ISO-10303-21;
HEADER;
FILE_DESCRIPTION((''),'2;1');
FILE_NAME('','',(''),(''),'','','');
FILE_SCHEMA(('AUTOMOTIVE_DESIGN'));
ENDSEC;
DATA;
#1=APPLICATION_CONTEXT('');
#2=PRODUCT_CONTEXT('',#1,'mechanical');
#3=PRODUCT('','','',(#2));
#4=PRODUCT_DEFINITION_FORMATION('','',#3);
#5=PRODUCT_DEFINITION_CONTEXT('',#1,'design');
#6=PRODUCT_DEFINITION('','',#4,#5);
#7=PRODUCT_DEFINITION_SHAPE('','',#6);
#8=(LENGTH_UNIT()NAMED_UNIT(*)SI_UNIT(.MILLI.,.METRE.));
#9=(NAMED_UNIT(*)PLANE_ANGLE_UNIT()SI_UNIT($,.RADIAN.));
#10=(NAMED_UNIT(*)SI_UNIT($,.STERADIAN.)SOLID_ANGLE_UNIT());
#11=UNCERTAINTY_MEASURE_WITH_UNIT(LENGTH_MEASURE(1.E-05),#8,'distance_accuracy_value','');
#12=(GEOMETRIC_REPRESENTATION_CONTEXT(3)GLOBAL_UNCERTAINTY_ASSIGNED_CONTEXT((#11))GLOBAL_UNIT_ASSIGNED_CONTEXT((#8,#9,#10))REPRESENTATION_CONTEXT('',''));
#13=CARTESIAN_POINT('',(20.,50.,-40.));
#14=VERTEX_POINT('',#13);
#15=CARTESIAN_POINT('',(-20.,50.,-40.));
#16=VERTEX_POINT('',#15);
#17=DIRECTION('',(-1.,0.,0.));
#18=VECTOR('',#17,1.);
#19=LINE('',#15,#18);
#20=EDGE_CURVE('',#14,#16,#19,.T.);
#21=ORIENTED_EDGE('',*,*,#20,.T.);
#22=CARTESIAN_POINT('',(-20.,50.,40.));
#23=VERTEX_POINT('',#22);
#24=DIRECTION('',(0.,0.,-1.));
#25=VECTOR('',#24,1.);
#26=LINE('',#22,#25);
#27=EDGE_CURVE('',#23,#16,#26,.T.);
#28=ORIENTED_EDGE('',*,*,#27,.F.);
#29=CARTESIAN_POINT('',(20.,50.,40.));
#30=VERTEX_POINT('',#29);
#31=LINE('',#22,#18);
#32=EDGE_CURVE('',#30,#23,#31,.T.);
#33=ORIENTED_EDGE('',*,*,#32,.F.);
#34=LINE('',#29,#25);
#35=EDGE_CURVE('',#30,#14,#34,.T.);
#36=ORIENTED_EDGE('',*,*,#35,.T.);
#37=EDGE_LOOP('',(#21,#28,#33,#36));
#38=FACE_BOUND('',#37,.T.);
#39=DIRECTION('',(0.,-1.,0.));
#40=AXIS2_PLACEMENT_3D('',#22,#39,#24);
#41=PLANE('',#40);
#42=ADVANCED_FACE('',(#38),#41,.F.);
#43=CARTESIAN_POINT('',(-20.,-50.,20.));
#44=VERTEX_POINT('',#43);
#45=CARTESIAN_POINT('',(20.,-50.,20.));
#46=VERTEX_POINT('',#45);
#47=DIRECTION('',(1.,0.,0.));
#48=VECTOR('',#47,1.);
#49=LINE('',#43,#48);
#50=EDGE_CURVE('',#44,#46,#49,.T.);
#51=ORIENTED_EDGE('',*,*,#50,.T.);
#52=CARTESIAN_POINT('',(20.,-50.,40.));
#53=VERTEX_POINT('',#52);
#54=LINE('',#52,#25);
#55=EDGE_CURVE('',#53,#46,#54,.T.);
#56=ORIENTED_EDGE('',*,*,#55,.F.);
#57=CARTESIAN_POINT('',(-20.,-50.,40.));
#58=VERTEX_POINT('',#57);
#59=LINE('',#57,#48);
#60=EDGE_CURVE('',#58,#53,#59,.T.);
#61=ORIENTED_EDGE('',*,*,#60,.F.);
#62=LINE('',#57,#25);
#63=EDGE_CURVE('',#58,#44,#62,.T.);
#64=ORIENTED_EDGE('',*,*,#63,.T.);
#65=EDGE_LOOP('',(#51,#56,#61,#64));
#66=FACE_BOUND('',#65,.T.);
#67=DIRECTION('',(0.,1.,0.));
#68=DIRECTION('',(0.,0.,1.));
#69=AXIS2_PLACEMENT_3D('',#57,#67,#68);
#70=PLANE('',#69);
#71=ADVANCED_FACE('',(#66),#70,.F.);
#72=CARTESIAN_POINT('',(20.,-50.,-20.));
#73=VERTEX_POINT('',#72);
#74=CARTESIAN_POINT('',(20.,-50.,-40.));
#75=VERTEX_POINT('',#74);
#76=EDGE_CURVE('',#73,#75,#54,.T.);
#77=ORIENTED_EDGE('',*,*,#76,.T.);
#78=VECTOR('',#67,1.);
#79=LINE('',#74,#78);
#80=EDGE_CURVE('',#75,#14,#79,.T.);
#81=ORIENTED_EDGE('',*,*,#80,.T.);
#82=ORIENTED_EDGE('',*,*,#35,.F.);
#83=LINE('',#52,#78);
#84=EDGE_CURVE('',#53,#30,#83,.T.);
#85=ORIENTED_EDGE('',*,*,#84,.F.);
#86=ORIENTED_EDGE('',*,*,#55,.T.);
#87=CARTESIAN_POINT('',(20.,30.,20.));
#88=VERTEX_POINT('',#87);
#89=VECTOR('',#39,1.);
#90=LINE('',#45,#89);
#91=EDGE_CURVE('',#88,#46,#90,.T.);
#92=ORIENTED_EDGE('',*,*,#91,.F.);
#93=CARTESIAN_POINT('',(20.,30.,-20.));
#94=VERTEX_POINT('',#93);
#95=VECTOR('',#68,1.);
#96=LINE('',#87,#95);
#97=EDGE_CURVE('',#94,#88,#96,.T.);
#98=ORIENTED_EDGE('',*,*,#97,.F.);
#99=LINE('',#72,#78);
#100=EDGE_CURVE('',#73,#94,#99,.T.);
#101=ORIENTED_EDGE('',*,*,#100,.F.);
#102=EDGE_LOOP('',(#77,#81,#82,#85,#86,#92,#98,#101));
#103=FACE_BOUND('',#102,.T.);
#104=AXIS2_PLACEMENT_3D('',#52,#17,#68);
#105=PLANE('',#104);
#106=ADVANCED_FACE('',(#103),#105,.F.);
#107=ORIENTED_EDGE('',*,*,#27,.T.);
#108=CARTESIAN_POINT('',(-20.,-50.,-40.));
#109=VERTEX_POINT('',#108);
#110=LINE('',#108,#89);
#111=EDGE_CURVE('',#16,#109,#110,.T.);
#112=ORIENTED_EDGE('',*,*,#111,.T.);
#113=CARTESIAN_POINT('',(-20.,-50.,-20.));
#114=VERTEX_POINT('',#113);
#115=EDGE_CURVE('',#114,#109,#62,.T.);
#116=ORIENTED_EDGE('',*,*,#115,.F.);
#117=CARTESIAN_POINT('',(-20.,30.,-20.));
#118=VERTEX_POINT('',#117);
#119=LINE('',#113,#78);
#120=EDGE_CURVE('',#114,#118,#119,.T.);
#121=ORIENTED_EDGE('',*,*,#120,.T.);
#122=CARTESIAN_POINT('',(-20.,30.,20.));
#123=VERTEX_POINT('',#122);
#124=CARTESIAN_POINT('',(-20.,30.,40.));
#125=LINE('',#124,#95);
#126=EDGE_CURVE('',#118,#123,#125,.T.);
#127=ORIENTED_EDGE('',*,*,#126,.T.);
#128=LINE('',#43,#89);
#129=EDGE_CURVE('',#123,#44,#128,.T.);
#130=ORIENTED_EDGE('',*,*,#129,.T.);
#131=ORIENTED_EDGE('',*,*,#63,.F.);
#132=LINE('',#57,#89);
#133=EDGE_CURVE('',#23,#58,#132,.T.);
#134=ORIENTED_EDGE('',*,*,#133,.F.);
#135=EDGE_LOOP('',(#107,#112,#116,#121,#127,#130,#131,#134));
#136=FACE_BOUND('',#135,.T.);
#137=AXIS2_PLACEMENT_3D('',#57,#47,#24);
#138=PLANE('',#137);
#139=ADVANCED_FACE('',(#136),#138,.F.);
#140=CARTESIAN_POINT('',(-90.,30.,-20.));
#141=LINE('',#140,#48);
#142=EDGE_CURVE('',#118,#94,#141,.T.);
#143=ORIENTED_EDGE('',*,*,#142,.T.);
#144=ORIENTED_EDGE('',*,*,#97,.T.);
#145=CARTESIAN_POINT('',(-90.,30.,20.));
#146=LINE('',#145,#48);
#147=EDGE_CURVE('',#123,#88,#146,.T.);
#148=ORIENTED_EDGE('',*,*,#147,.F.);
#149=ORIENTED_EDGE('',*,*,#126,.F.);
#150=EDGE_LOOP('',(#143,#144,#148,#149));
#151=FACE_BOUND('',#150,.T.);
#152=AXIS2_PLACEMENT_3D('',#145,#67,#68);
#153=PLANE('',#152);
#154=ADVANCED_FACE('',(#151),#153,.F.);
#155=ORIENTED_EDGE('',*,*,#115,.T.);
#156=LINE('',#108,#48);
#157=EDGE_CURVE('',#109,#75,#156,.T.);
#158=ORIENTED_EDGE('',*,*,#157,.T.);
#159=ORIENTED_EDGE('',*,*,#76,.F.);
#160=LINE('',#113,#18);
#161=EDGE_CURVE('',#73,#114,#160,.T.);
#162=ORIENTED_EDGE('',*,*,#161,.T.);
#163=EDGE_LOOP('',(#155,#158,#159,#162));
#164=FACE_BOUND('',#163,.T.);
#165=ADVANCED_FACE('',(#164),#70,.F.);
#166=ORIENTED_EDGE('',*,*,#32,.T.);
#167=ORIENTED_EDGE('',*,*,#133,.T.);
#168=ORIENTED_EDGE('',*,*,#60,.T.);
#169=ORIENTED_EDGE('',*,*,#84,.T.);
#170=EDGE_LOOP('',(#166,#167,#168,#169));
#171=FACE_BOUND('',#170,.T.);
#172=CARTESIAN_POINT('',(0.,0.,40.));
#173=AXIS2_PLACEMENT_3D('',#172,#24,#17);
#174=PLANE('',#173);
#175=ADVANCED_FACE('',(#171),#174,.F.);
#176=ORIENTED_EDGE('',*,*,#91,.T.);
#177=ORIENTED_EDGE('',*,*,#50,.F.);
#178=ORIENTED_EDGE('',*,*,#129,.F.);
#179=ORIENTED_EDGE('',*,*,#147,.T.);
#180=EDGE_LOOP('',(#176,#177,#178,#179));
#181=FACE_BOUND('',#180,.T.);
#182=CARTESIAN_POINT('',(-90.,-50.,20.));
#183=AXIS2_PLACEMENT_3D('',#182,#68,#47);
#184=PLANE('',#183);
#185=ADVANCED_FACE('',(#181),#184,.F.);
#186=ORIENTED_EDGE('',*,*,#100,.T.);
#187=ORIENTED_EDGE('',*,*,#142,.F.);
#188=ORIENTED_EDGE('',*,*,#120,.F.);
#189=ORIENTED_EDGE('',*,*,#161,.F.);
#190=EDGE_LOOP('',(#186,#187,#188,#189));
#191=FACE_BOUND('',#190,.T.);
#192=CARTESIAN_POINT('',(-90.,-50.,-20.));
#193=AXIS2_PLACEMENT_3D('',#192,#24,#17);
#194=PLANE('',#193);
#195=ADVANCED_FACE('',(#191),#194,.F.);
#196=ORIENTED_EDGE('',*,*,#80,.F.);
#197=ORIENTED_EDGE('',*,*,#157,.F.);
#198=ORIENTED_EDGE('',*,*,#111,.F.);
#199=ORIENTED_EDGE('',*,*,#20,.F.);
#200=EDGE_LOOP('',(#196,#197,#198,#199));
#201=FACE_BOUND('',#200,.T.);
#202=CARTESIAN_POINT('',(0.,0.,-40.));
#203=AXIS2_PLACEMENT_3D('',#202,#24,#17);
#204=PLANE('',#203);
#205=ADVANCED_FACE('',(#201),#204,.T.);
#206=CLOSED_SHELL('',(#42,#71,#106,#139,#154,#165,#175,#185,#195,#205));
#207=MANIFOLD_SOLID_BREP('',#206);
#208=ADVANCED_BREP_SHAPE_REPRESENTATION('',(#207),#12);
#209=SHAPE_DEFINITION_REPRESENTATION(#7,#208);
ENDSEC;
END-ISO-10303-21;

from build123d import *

# Parameters (mm, degrees)
CROQUIS1_W              = 40
CROQUIS1_H              = 100
SALIENTE_EXTRUIR1_DEPTH = 40
CROQUIS2_W              = 40
CROQUIS2_H              = 80
CORTAR_EXTRUIR1_DEPTH   = 110


with BuildPart() as part:
    # Croquis1 → Saliente-Extruir1 (new, symmetric)
    with BuildSketch(Plane.XY):
        Rectangle(CROQUIS1_W, CROQUIS1_H)
    extrude(amount=SALIENTE_EXTRUIR1_DEPTH, both=True)

    # Croquis2 → Cortar-Extruir1 (cut)
    with BuildSketch(Plane(origin=(20, 0, 0), x_dir=(0, 0, -1), z_dir=(1, 0, 0))):
        with Locations((0, -10)):
            Rectangle(CROQUIS2_W, CROQUIS2_H)
    extrude(amount=-CORTAR_EXTRUIR1_DEPTH, mode=Mode.SUBTRACT)


solid = part.part
